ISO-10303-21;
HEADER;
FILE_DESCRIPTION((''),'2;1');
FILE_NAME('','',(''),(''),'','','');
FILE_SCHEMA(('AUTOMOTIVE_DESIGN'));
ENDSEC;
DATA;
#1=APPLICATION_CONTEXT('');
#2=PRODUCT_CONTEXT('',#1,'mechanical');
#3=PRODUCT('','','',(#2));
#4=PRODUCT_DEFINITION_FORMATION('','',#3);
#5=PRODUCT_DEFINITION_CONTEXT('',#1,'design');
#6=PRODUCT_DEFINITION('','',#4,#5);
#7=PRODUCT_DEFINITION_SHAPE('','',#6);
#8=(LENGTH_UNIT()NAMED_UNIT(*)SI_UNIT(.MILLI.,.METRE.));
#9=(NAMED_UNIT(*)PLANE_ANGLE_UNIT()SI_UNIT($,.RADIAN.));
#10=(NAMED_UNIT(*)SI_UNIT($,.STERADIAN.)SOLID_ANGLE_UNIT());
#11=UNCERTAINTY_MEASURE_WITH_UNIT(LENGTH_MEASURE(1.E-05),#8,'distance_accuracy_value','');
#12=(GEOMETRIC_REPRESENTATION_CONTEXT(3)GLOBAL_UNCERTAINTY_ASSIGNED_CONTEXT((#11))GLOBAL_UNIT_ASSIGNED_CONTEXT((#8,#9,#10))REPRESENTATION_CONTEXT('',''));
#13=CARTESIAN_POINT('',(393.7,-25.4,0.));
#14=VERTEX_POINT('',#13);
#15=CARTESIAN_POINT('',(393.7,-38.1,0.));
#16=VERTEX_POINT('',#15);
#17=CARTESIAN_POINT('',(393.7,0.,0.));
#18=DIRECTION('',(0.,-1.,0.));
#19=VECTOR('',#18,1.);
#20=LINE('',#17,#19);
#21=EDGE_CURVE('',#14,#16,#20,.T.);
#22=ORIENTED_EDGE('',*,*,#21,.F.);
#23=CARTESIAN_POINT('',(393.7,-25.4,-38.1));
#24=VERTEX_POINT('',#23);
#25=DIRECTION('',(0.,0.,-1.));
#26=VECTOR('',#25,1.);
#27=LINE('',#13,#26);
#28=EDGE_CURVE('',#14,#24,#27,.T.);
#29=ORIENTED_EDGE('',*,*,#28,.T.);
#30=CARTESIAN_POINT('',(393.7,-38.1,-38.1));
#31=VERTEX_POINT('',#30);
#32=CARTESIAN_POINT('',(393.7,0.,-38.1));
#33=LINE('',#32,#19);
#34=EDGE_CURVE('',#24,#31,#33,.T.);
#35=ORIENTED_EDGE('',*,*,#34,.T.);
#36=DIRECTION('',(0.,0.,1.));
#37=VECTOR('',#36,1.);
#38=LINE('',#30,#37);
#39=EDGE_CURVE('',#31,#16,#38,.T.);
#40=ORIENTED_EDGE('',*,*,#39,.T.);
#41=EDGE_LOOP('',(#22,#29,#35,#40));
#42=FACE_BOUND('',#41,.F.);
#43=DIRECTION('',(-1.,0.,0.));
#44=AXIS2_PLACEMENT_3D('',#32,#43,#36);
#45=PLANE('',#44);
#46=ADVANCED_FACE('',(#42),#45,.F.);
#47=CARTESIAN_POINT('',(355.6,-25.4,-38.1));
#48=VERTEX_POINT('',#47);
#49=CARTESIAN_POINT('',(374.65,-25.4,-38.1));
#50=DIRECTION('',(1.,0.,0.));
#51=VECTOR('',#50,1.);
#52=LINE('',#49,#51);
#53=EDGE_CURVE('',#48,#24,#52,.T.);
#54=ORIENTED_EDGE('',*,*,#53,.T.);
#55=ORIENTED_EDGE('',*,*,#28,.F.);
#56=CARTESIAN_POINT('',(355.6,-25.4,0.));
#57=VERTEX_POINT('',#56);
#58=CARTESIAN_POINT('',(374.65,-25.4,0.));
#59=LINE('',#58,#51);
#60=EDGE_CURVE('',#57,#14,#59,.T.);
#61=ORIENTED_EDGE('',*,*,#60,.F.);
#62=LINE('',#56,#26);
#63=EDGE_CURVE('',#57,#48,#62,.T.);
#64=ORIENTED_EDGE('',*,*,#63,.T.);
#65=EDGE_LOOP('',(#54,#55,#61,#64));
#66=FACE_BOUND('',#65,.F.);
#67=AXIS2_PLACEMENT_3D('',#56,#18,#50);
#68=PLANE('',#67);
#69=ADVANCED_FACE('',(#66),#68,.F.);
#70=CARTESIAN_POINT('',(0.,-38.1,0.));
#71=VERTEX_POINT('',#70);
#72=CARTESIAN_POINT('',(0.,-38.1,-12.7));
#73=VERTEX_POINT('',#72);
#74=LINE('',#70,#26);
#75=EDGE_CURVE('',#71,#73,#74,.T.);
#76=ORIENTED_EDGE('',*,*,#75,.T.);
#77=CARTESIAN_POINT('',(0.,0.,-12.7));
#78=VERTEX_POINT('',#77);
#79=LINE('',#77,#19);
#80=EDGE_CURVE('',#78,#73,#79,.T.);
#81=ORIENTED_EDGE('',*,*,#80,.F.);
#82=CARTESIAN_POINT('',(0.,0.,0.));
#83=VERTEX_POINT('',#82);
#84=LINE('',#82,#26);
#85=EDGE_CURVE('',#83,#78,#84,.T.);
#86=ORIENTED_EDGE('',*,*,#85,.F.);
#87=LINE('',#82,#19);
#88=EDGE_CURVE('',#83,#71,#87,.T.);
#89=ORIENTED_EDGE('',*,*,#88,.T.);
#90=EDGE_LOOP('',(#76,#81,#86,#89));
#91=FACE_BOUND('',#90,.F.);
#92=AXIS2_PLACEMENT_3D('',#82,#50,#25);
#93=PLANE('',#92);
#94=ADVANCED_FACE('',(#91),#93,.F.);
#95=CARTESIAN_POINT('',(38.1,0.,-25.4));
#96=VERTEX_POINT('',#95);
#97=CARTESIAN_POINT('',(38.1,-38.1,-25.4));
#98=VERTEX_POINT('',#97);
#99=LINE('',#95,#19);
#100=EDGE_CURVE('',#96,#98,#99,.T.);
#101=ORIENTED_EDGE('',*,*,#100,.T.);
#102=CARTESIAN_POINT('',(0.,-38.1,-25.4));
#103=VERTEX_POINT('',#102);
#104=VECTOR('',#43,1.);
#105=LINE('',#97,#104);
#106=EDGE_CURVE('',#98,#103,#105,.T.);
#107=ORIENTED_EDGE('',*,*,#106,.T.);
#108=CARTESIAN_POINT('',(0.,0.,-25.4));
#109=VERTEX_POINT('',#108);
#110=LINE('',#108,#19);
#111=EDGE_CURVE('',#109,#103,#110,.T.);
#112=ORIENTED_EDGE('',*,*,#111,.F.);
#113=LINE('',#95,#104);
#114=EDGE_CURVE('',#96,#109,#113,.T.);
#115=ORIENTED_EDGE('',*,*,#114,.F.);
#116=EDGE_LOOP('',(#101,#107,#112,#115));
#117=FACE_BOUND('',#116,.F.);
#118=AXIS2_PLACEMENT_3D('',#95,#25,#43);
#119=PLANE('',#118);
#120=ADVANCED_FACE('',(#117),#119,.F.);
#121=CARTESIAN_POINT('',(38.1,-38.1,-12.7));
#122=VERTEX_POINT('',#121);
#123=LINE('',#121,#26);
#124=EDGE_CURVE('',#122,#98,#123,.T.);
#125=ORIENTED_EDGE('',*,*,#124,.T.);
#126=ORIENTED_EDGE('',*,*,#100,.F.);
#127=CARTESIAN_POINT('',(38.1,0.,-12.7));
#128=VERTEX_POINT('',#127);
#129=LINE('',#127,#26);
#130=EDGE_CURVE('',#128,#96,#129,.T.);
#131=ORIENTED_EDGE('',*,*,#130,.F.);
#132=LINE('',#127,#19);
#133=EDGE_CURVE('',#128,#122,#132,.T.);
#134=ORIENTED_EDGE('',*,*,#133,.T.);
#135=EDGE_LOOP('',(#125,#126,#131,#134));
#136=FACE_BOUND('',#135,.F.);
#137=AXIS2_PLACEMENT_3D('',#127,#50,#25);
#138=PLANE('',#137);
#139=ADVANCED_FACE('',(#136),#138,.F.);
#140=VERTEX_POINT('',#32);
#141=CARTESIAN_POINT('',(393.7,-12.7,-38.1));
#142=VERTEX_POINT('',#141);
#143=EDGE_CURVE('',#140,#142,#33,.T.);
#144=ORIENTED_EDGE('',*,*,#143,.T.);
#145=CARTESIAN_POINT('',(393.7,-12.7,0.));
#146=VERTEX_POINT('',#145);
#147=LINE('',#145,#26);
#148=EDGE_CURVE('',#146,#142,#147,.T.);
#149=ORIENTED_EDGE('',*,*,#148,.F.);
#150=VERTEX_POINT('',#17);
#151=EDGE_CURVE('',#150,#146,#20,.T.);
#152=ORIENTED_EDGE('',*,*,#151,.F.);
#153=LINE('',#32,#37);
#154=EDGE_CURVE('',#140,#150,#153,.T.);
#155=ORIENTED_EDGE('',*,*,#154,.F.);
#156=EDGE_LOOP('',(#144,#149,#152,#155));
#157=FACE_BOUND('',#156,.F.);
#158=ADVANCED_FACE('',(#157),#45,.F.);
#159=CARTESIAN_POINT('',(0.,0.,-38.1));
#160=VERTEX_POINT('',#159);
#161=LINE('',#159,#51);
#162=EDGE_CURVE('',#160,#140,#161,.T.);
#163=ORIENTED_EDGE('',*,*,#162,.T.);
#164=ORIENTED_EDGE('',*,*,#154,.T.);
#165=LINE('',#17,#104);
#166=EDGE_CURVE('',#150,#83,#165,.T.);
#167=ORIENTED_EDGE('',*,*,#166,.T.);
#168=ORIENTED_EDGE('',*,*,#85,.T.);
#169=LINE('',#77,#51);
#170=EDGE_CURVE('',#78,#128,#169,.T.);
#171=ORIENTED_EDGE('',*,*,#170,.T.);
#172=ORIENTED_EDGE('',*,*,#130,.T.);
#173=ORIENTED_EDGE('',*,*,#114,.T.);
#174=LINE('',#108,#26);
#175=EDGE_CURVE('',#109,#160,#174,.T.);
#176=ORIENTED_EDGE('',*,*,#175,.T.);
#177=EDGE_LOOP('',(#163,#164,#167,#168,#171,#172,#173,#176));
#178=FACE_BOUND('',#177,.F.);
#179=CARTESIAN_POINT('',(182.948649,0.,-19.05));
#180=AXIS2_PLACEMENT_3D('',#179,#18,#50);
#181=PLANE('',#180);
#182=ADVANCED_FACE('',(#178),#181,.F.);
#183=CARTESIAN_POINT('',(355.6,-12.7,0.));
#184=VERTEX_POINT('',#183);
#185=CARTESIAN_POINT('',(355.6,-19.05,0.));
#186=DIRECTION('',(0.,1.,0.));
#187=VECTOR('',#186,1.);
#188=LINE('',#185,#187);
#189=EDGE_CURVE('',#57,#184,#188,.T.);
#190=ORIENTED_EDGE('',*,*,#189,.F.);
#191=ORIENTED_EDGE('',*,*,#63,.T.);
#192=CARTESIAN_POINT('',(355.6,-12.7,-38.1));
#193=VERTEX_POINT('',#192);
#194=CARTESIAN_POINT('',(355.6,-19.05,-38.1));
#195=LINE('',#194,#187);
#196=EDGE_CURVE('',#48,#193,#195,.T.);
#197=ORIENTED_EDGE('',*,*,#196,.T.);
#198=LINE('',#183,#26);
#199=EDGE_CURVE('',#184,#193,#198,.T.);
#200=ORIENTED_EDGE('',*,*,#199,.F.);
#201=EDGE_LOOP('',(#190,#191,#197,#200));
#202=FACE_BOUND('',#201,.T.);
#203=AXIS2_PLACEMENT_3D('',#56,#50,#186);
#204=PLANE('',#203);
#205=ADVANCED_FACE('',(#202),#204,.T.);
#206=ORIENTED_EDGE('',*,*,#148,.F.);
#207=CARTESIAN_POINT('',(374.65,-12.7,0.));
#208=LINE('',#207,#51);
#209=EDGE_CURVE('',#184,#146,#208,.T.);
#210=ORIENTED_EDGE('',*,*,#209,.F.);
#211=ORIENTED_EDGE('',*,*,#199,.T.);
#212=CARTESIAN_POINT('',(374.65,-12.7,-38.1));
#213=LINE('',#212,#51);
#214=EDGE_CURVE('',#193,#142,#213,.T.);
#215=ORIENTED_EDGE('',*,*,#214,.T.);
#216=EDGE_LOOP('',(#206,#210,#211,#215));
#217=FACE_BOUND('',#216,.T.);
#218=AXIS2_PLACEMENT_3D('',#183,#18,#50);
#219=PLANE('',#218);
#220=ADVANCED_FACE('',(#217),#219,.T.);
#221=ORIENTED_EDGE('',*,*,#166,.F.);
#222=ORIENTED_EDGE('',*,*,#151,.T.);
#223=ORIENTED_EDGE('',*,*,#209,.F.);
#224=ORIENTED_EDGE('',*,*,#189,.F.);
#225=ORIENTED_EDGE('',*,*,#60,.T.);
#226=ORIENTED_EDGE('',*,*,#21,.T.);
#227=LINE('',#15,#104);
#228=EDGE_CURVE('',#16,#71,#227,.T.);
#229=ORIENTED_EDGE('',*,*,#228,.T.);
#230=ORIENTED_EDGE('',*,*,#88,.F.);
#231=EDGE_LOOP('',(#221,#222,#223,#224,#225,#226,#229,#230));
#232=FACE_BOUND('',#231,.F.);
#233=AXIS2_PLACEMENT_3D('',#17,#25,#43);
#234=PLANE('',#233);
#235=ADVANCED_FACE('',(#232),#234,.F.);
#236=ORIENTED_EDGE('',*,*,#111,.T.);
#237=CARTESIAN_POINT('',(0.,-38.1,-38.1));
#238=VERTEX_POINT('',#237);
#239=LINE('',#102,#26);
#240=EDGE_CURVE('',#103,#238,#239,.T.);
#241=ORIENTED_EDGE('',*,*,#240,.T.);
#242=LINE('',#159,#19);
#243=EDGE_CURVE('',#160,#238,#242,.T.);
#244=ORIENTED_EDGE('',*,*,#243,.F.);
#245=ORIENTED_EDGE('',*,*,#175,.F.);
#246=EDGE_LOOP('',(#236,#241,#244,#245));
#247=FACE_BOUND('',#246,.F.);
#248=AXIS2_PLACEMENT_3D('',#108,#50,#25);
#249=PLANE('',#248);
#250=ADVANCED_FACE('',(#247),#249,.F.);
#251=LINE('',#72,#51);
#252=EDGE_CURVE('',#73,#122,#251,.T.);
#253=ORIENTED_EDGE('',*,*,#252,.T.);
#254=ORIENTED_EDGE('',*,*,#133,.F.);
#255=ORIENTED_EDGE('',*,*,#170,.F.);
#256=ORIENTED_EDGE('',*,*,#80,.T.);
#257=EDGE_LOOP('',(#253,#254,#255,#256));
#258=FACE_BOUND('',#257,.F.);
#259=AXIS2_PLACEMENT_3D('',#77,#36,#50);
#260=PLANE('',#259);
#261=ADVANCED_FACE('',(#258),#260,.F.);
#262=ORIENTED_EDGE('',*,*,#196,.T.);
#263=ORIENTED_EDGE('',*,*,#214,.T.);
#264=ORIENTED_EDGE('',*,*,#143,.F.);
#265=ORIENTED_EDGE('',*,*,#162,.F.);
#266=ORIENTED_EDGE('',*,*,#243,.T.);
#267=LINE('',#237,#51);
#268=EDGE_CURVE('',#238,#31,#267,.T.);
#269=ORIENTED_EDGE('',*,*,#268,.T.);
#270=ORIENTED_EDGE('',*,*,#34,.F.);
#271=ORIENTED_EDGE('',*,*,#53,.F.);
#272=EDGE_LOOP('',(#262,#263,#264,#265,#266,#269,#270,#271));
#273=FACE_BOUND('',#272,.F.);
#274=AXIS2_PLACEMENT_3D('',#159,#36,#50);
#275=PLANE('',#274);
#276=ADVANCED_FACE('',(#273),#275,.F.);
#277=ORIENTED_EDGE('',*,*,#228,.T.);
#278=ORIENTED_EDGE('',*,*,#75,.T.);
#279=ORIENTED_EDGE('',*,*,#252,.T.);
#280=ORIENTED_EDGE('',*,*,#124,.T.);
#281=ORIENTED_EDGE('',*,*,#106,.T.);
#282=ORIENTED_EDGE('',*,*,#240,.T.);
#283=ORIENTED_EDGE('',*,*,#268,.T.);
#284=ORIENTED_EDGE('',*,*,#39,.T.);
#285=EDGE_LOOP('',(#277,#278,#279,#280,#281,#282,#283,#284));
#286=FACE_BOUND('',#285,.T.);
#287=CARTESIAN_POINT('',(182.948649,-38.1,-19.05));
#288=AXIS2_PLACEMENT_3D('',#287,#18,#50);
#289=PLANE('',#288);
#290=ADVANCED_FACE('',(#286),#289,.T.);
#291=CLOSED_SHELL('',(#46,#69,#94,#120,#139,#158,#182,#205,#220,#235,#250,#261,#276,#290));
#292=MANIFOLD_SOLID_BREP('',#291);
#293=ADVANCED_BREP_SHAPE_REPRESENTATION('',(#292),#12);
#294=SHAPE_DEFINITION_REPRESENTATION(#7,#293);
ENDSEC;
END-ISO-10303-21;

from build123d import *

# Parameters (mm, degrees)
F1_DEPTH = 38.1
F2_W     = 38.1
F2_H     = 12.7
F3_DEPTH = 38.1


with BuildPart() as f1:
    # F0 (on Front) → F1 (new body)
    with BuildSketch(Plane.XZ):
        Polygon((393.7, 0), (0, 0), (0, -12.7), (38.1, -12.7), (38.1, -25.4), (0, -25.4), (0, -38.1), (393.7, -38.1), align=None)
    extrude(amount=F1_DEPTH)

    # F2 (on face) → F3 (cut)
    with BuildSketch(Plane.XY):
        with Locations((374.65, -19.05)):
            Rectangle(F2_W, F2_H)
    extrude(amount=-F3_DEPTH, mode=Mode.SUBTRACT)


solid = f1.part
